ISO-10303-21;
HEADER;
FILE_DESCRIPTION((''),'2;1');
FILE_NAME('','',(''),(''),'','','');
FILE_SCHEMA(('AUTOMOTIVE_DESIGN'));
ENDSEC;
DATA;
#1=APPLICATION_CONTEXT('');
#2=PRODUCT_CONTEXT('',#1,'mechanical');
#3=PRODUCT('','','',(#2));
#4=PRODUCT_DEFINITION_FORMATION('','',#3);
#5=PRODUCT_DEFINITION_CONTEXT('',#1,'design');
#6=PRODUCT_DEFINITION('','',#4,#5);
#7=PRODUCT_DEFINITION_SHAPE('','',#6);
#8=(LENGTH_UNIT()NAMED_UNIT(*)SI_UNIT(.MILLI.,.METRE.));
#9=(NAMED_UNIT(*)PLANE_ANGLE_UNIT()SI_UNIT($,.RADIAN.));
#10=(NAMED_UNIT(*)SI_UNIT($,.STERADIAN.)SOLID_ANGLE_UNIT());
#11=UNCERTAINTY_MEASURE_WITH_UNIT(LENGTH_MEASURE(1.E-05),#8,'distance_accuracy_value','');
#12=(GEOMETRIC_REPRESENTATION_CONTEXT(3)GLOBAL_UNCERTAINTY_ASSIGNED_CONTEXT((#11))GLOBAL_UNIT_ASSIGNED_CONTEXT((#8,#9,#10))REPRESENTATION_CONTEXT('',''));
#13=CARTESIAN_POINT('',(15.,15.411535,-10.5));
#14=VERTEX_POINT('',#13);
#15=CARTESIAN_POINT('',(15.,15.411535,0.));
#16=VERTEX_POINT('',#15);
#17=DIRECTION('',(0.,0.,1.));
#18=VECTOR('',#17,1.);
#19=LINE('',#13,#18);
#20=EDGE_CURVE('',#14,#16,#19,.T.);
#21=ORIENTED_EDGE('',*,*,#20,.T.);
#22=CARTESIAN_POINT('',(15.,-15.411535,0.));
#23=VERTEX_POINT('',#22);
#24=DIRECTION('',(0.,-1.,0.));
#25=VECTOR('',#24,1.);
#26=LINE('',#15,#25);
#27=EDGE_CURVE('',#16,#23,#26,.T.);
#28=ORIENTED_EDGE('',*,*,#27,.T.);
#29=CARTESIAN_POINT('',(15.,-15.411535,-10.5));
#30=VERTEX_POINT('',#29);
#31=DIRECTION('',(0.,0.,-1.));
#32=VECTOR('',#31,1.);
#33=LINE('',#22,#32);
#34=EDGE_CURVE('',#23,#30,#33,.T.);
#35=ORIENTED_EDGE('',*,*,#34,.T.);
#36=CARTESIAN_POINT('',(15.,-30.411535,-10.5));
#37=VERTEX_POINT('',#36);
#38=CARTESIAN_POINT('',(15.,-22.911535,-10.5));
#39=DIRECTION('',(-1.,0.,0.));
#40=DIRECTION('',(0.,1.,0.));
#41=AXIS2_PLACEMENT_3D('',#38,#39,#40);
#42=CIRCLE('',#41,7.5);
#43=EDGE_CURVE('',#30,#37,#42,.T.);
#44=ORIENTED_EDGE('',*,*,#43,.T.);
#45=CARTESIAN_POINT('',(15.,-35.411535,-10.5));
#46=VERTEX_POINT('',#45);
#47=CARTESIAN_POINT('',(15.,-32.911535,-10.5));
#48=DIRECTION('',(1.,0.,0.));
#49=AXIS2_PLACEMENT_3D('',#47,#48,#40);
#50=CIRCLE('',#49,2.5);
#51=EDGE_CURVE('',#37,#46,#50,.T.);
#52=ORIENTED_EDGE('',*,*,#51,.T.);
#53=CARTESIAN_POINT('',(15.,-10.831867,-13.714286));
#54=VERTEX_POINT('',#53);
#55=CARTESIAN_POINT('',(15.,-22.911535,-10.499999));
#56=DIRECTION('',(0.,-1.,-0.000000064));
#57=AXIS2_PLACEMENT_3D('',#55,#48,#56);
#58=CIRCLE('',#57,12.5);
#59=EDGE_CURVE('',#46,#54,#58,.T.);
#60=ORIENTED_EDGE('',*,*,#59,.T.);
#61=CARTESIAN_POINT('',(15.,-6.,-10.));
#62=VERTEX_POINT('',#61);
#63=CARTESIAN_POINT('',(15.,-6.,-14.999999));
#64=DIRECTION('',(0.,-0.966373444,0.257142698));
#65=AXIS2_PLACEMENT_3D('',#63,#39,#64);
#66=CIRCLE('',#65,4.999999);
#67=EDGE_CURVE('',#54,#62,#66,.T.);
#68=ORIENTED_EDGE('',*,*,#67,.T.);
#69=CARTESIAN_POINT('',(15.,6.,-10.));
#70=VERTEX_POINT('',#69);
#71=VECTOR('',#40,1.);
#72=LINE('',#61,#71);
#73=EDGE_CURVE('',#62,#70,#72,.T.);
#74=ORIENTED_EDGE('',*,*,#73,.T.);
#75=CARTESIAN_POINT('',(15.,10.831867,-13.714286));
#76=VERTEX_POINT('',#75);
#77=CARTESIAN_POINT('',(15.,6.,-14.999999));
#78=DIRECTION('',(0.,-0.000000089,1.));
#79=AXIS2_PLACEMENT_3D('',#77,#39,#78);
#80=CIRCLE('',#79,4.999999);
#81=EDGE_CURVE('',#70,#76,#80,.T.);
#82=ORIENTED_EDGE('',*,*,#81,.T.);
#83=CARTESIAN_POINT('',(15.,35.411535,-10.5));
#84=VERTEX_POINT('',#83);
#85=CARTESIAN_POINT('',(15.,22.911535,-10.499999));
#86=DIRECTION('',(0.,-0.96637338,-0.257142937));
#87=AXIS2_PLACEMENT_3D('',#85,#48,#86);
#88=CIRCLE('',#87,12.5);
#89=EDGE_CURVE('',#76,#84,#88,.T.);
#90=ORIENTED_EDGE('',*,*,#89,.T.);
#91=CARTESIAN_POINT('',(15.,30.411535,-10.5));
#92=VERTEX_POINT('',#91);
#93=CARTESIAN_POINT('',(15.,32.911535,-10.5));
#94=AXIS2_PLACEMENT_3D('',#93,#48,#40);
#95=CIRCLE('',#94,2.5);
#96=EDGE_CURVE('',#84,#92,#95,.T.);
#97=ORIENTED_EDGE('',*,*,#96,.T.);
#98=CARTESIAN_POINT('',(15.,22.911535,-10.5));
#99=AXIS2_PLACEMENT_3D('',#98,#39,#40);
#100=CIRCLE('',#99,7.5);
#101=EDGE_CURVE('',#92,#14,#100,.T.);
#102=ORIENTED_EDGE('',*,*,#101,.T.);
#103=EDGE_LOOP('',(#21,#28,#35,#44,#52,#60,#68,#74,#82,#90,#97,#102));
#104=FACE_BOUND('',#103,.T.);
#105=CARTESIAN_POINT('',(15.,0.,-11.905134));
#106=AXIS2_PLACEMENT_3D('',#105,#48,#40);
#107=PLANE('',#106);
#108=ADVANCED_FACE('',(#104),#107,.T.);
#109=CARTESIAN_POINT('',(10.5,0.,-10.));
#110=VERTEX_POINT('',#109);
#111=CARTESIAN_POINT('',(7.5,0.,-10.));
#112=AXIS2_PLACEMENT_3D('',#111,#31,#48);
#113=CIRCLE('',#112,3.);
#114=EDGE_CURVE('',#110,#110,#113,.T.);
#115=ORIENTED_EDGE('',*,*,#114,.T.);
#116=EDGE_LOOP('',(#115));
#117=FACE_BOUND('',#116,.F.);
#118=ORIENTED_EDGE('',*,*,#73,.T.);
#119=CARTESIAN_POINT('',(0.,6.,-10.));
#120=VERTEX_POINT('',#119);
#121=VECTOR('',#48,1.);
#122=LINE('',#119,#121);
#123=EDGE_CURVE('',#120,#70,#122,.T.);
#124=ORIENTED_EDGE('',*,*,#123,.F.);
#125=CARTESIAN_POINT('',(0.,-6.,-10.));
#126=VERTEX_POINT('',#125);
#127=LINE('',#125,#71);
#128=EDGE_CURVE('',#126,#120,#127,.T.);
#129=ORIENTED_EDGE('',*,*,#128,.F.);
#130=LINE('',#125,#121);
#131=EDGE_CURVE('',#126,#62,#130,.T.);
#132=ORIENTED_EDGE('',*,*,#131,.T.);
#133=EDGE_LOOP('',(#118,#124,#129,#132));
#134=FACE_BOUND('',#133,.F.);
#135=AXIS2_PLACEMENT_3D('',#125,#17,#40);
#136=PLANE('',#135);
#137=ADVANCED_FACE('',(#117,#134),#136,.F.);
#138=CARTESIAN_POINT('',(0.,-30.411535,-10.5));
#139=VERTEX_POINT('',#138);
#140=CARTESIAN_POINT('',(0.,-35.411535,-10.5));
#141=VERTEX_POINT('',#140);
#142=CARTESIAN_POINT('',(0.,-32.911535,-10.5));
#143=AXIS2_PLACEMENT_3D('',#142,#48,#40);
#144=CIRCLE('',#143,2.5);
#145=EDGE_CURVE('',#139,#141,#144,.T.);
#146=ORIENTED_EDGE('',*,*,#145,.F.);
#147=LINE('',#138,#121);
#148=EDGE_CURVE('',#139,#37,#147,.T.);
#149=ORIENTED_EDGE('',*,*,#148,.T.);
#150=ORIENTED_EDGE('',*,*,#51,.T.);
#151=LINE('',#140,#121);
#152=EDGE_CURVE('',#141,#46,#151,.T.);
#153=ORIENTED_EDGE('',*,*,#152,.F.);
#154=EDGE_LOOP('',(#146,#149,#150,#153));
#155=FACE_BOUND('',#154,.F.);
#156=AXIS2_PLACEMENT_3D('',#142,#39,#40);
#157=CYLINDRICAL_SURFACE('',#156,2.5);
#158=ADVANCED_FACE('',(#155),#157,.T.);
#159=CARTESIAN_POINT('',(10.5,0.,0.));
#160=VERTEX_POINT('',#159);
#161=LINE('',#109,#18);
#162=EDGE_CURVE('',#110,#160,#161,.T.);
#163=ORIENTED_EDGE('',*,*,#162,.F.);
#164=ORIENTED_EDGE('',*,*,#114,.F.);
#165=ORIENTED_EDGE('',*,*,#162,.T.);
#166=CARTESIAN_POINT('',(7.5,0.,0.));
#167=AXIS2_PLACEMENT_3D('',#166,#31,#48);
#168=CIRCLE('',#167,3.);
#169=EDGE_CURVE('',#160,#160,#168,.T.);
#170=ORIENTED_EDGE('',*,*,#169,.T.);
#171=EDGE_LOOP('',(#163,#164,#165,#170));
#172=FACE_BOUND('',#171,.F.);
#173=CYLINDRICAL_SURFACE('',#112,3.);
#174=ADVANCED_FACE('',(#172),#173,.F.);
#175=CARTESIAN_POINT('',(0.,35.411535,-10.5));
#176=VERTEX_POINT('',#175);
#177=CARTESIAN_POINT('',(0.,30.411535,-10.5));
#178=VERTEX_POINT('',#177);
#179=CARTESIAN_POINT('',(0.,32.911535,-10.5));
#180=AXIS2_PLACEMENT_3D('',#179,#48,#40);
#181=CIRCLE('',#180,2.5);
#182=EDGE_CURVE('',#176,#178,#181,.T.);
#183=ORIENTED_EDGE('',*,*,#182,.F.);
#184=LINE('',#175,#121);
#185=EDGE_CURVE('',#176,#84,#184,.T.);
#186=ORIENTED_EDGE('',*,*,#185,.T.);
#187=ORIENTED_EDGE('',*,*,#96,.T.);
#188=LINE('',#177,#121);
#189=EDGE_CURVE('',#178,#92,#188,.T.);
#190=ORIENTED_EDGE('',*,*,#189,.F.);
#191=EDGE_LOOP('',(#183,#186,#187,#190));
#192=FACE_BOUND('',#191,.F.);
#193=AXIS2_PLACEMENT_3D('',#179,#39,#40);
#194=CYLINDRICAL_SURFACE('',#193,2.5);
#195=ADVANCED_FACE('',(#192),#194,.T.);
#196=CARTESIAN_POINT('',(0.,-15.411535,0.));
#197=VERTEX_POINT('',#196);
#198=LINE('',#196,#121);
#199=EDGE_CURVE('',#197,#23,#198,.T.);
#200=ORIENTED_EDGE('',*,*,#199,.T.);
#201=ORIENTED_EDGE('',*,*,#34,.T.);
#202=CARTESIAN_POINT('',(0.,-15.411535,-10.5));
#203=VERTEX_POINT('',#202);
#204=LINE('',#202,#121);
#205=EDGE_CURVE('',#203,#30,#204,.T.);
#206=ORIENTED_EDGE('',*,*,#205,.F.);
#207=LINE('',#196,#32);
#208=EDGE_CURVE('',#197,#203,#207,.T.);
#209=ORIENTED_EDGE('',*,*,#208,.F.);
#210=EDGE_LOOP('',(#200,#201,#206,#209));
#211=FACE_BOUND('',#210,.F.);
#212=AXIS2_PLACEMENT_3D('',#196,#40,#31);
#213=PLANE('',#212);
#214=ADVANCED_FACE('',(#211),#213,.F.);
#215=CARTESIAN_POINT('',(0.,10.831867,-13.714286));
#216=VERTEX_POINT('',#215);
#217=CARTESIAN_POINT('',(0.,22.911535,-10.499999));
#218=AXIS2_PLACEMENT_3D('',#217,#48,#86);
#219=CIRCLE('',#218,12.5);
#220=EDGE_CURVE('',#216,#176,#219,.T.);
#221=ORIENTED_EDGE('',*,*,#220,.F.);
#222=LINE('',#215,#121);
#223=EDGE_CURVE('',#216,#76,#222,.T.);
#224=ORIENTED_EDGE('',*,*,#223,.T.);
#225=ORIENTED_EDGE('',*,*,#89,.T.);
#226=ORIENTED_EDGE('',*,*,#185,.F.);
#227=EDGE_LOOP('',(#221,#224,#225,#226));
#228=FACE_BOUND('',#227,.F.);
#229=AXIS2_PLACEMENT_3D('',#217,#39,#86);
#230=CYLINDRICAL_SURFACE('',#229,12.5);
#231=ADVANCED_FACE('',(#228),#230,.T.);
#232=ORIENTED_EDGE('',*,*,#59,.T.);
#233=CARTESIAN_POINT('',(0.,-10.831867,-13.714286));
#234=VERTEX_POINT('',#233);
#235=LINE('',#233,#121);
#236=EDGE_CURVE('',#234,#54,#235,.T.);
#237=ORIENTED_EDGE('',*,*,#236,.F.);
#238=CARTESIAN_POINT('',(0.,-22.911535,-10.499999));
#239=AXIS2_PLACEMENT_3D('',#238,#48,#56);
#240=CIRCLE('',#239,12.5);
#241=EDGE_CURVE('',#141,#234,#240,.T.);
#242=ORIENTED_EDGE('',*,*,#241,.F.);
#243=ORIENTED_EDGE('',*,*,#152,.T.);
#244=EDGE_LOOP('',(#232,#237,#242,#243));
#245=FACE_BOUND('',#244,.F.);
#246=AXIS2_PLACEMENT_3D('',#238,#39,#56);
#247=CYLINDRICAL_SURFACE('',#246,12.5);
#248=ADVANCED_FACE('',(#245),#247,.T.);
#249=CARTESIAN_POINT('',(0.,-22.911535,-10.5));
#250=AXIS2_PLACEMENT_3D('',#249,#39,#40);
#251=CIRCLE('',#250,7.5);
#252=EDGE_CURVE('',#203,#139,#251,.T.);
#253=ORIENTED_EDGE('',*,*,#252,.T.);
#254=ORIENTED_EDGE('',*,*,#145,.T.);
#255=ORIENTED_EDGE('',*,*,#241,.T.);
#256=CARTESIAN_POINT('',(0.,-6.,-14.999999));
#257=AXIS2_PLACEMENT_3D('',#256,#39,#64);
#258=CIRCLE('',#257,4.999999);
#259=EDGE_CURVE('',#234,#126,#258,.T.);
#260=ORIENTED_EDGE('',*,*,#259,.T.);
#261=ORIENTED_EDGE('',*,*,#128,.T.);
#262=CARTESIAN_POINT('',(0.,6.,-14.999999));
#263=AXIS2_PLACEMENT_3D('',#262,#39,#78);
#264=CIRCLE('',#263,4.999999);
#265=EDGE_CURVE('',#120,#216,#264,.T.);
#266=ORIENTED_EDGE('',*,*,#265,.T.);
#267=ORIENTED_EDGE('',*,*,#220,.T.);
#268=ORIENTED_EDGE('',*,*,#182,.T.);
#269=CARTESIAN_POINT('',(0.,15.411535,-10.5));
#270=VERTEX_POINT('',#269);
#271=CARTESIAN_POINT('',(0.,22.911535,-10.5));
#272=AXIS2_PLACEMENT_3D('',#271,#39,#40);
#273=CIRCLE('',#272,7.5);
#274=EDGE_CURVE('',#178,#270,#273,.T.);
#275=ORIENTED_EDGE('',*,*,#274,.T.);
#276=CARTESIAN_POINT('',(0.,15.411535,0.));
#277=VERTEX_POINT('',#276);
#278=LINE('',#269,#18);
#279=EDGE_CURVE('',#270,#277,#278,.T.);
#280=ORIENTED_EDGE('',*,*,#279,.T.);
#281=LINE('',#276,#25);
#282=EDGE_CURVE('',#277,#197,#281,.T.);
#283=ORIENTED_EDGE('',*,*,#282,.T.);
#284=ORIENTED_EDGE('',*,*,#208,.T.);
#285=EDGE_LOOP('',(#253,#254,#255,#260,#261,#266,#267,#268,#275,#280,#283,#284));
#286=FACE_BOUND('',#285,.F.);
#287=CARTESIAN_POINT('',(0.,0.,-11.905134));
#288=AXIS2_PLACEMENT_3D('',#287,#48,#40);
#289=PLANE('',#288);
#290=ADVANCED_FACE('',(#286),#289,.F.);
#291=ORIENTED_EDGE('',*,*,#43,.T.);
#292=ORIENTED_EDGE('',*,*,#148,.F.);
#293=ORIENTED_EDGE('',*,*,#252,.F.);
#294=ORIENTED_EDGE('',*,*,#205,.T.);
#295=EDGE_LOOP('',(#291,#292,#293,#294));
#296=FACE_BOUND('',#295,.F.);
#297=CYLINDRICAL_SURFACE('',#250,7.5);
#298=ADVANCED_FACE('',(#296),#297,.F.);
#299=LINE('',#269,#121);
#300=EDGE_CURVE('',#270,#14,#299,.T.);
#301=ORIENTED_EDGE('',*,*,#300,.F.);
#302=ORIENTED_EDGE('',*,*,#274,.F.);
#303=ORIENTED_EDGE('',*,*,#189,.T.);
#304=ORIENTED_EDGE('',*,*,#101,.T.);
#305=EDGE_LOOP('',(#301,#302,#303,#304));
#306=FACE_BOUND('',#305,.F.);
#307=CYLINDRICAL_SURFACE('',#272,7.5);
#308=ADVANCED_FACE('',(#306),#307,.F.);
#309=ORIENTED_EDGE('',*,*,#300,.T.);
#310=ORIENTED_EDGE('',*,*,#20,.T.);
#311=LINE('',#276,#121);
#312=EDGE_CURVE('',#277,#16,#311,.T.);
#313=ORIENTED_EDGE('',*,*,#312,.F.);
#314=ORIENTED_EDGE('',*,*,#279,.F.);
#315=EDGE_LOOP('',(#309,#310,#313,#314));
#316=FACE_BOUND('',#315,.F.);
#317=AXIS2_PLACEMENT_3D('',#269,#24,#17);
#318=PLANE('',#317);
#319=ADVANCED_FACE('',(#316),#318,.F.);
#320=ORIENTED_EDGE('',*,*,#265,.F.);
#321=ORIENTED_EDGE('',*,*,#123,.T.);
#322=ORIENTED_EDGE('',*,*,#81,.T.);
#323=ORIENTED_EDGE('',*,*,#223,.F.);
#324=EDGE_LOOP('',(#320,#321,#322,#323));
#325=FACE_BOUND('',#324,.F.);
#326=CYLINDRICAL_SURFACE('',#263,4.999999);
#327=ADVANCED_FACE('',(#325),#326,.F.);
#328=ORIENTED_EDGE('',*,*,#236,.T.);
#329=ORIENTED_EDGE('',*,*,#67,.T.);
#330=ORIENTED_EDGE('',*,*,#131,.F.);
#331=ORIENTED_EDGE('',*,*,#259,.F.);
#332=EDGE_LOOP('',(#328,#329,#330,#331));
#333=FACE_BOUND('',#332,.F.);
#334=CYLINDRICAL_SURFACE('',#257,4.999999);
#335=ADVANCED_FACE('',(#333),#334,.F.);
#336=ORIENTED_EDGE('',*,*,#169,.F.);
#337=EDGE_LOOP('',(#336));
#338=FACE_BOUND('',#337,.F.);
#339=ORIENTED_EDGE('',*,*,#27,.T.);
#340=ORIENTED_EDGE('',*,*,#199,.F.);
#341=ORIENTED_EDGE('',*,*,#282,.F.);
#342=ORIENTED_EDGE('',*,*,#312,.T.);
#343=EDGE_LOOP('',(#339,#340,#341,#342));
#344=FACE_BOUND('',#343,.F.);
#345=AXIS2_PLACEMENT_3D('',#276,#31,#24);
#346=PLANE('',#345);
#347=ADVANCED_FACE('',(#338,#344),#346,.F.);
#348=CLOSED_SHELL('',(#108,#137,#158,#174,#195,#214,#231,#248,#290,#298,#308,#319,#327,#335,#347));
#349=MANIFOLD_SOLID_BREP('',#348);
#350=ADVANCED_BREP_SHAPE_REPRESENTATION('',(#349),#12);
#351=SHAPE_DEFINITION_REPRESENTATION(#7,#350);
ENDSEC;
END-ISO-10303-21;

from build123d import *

# Parameters (mm, degrees)
F1_DEPTH = 15
F2_R     = 3
F3_DEPTH = 10


with BuildPart() as f1:
    # F0 (on Right) → F1 (new body)
    with BuildSketch(Plane.YZ):
        with BuildLine():
            Line((15.411535, 0), (-15.411535, 0))
            Line((-15.411535, 0), (-15.411535, -10.5))
            ThreePointArc((-15.411535, -10.5), (-22.911535, -18), (-30.411535, -10.5))
            ThreePointArc((-30.411535, -10.5), (-32.911535, -8), (-35.411535, -10.5))
            ThreePointArc((-35.411535, -10.5), (-24.532361, -22.894471), (-10.831867, -13.714286))
            ThreePointArc((-10.831867, -13.714286), (-9.047247, -11.035875), (-6, -10))
            Line((-6, -10), (6, -10))
            ThreePointArc((6, -10), (9.047247, -11.035875), (10.831867, -13.714286))
            ThreePointArc((10.831867, -13.714286), (24.532361, -22.894471), (35.411535, -10.5))
            ThreePointArc((35.411535, -10.5), (32.911535, -8), (30.411535, -10.5))
            ThreePointArc((30.411535, -10.5), (22.911535, -18), (15.411535, -10.5))
            Line((15.411535, -10.5), (15.411535, 0))
        make_face()
    extrude(amount=F1_DEPTH)

    # F2 (on face) → F3 (cut, through all)
    with BuildSketch(Plane(origin=(0, 0, -10), x_dir=(1, 0, 0), z_dir=(0, 0, -1))):
        with Locations((7.5, 0)):
            Circle(F2_R)
    extrude(amount=-F3_DEPTH, mode=Mode.SUBTRACT)


solid = f1.part
